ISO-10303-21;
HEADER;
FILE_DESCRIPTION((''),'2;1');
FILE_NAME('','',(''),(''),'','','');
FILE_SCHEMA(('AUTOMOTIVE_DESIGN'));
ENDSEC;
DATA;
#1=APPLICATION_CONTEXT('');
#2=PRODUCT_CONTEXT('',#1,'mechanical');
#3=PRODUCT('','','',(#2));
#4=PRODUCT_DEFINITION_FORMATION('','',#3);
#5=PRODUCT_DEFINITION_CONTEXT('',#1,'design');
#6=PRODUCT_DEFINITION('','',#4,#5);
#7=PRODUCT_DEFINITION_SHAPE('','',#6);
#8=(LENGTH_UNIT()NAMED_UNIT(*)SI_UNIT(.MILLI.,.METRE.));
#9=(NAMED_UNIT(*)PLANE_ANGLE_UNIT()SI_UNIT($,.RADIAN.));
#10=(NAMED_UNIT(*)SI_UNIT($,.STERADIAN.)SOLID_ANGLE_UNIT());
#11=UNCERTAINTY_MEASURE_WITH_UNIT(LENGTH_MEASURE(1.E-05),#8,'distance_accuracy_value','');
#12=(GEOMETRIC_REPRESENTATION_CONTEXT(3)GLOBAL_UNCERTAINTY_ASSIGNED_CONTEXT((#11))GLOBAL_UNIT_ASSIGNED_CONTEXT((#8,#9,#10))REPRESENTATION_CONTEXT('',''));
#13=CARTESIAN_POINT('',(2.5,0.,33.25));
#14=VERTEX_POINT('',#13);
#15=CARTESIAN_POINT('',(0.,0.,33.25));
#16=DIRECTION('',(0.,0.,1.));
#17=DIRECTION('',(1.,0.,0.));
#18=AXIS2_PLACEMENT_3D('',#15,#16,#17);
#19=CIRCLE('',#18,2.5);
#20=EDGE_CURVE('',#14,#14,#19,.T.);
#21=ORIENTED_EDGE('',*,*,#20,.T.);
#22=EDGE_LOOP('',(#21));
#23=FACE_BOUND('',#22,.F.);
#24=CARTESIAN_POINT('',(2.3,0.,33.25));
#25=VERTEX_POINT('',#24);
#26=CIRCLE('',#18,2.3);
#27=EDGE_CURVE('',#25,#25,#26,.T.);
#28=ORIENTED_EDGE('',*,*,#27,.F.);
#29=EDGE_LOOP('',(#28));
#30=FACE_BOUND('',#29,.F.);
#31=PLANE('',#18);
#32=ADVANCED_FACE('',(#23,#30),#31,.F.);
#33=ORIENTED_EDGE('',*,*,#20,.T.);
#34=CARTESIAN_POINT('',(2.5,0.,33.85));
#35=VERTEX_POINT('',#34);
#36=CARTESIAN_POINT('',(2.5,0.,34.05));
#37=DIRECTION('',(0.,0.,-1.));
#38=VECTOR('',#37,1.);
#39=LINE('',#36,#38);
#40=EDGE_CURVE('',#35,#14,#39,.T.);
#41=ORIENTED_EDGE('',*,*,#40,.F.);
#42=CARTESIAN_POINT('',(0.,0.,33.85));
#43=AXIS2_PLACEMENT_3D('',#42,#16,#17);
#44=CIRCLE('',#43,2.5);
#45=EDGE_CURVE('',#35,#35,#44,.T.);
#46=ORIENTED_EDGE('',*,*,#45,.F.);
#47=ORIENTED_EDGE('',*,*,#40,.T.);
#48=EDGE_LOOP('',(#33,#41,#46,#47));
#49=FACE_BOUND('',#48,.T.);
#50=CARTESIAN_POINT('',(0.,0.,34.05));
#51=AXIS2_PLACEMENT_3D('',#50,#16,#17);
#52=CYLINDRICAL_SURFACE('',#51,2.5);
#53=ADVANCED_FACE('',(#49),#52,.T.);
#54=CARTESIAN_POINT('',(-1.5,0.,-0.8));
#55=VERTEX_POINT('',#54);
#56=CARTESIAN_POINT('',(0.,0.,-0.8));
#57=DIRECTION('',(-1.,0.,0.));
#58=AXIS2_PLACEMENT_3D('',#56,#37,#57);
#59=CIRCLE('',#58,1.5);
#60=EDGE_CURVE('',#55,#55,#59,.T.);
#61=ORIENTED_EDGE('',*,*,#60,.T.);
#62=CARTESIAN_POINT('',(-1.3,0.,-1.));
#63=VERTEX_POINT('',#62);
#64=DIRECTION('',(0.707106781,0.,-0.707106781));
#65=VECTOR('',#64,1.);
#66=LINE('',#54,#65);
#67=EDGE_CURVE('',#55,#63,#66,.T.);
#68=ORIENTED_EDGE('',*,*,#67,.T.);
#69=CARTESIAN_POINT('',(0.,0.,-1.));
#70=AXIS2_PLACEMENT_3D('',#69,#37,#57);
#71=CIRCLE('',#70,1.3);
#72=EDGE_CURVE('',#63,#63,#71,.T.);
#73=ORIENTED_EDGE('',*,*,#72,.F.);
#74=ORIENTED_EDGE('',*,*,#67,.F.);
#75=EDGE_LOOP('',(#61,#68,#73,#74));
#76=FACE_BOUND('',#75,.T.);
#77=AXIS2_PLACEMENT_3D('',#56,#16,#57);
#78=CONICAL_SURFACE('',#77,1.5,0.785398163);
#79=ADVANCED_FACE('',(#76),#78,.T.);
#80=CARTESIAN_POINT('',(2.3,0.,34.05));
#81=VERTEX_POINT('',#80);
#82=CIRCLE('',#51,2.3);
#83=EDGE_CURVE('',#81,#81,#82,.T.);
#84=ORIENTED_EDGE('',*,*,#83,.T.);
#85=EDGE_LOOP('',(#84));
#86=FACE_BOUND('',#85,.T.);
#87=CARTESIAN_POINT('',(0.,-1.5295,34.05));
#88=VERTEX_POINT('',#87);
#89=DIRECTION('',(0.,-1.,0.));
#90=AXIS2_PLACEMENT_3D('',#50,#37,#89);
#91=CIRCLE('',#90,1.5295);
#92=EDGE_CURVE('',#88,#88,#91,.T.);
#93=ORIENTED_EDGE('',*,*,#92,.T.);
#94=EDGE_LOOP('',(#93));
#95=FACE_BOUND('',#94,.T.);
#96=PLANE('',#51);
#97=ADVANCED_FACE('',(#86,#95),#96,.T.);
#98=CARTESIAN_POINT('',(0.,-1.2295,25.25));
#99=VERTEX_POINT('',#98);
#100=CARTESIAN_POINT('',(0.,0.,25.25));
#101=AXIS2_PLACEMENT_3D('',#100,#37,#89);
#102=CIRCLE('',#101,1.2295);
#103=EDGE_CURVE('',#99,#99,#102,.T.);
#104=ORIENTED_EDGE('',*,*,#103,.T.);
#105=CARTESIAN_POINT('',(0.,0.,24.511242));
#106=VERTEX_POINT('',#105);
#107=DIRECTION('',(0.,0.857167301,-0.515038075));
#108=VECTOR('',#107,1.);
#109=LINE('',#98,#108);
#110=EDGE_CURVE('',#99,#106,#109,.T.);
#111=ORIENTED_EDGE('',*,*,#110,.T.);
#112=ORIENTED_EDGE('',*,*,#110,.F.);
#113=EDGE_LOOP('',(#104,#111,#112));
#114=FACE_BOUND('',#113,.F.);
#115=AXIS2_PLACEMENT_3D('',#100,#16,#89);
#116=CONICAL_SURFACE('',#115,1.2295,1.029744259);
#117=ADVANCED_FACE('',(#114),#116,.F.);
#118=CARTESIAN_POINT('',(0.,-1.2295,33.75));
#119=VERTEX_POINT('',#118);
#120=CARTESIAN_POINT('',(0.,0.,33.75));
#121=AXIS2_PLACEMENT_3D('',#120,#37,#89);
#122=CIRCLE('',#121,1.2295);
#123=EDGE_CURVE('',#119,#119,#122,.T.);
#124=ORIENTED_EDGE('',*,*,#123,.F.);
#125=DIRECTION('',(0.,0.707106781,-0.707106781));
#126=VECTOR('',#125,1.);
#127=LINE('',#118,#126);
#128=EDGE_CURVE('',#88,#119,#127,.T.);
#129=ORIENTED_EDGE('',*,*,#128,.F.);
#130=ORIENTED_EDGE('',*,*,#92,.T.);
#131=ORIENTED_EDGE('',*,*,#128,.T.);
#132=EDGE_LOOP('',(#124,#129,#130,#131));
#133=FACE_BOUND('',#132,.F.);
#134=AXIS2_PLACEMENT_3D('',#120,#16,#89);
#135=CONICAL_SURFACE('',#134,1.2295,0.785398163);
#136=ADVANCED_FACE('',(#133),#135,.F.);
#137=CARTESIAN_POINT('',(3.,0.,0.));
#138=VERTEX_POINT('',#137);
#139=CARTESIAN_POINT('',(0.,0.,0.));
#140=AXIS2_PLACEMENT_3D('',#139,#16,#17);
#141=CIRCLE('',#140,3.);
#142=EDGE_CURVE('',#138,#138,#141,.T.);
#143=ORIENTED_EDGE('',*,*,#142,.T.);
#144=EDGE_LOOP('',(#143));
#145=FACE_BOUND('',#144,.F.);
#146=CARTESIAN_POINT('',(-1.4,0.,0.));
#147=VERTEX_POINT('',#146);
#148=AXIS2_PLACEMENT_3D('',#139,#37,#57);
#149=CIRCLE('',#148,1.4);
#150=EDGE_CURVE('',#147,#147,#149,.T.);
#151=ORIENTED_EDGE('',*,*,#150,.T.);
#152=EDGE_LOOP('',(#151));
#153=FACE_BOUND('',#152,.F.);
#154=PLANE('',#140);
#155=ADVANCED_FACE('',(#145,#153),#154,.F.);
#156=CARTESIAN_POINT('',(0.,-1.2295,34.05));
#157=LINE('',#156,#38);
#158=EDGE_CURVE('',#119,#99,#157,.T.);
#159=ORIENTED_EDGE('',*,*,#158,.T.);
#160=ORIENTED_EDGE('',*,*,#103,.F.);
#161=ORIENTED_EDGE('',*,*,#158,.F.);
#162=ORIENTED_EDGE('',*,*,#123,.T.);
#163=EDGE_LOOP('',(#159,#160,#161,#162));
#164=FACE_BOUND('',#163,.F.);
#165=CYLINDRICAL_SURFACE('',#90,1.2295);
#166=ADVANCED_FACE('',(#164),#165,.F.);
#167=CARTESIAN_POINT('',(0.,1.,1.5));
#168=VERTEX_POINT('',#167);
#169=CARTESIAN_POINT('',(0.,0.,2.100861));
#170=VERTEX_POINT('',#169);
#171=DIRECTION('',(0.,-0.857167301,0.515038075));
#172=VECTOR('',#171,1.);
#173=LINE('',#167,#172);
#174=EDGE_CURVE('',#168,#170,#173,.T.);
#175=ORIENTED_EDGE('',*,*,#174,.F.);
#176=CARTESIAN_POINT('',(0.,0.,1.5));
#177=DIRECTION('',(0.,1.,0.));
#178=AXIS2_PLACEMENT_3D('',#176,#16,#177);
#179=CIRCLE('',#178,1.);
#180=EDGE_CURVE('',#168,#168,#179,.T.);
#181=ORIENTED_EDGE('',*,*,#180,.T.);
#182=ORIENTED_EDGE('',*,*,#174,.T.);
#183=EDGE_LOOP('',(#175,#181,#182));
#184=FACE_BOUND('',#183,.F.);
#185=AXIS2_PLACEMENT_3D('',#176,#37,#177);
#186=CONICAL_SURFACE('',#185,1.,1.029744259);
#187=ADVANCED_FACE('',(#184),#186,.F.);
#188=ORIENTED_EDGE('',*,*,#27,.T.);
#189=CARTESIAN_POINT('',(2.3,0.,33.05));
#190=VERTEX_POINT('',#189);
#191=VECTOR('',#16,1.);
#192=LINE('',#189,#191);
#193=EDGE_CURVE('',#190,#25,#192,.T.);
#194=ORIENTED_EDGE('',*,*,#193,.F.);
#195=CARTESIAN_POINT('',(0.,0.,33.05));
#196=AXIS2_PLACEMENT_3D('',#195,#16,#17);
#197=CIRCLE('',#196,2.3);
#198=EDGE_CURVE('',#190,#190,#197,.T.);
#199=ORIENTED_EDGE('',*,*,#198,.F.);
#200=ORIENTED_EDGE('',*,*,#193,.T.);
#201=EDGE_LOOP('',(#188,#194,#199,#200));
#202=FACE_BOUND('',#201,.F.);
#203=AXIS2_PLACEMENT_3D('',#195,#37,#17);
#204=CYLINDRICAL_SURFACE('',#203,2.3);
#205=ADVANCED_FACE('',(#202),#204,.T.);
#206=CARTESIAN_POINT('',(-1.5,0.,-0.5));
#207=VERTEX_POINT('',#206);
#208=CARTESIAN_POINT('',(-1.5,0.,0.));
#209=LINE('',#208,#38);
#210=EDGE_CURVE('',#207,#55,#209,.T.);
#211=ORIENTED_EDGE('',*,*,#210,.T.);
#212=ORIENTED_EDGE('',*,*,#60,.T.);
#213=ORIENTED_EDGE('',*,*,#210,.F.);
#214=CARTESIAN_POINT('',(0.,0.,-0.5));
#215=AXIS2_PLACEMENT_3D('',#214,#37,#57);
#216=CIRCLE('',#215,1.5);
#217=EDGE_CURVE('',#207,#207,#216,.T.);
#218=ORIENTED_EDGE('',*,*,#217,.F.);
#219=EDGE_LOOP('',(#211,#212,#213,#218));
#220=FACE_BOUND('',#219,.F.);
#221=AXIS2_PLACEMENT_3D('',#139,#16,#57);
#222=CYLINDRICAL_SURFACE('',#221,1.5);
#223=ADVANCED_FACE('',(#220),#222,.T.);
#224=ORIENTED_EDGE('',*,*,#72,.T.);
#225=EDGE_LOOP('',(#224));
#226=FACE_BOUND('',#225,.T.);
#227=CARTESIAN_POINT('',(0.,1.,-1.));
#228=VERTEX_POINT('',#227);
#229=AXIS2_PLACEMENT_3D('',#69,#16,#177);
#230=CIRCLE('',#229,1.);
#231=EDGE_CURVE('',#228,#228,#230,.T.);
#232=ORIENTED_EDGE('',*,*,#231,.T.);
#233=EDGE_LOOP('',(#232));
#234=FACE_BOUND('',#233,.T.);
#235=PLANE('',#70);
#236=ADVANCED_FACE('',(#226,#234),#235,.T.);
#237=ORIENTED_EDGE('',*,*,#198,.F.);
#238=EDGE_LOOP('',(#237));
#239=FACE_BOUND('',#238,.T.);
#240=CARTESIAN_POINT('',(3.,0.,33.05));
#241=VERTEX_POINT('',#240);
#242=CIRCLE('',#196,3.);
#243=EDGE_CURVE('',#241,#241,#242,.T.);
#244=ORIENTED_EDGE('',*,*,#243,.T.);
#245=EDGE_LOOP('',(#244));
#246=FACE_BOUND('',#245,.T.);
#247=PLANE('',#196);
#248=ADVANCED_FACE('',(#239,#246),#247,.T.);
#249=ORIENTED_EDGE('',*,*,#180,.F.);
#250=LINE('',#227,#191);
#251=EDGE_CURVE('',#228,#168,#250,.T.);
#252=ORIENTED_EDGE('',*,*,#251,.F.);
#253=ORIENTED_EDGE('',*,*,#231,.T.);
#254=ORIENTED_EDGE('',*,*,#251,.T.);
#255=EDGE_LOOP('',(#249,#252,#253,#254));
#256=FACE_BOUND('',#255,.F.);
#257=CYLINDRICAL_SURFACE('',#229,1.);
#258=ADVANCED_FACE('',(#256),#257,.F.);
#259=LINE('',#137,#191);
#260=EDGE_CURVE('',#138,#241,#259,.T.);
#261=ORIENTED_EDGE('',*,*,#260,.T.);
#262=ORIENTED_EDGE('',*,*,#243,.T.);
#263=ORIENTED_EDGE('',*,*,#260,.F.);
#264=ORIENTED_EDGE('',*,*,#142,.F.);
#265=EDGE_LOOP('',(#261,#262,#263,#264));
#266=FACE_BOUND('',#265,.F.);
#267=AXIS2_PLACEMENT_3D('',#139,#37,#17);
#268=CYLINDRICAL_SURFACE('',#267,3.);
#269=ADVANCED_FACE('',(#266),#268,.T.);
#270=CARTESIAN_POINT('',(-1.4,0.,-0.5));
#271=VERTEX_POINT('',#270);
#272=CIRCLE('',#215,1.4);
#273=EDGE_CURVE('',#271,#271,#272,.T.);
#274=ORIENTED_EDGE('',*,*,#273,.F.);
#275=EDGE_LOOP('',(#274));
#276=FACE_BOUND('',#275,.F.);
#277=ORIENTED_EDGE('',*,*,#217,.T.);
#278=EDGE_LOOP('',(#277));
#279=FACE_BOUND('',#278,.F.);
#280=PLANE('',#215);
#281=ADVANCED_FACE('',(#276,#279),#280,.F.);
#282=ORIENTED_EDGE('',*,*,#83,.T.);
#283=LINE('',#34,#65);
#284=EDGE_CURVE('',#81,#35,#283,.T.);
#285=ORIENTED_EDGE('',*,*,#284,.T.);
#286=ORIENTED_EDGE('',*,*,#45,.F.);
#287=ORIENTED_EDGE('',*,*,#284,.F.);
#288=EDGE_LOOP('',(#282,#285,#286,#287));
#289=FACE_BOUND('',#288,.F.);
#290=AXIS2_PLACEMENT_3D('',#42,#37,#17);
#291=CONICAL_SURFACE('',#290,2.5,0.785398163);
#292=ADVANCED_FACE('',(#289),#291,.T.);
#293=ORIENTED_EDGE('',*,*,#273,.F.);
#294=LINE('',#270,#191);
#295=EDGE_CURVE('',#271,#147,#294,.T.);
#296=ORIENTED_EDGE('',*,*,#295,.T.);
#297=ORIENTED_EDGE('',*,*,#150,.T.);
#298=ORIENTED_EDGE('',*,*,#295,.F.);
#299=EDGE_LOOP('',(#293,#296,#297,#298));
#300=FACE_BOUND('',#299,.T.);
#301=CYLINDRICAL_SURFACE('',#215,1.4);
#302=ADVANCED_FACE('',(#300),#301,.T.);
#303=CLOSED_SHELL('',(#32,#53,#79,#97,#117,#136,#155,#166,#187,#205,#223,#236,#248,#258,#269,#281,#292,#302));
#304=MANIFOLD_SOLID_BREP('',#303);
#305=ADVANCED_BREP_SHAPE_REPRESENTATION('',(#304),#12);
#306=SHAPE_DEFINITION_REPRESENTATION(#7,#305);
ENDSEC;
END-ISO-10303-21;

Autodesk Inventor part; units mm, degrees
ref_plane "YZ Plane" through (0, 0, 0) normal (1, 0, 0) x (0, 1, 0)
ref_plane "XZ Plane" through (0, 0, 0) normal (0, 1, 0) x (-1, 0, 0)
ref_plane "XY Plane" through (0, 0, 0) normal (0, 0, 1) x (1, 0, 0)
sketch "Sketch1" plane through (0, 0, 0) normal (0, 0, 1) x (1, 0, 0)
  circle A0 centre (0, 0) radius 3
  dimension "d0" = 6
extrude "Extrusion1" add sketch "Sketch1" along normal blind 34.05
sketch "Sketch2" plane through (0, 0, 34.05) normal (0, 0, 1) x (1, 0, 0)
  circle A0 centre (0, 0) radius 2
  dimension "d3" = 4
hole "Hole1" at (0, 0, 34.05) direction (0, 0, -1) diameter 2.459 depth 8.8 tip angle 118 thread size "M3x0.5" class "6H" standard "ISO Metric profile"
chamfer "Chamfer1" distance 0.3 angle 45 1 edges at (0, 1.2295, 34.05)
sketch "Sketch3" plane through (0, 0, 34.05) normal (0, 0, 1) x (1, 0, 0)
  circle A0 centre (0, 0) radius 3
  circle A1 centre (0, 0) radius 2.5
  dimension "d14" = 5
extrude "Extrusion2" cut sketch "Sketch3" against normal blind 1
sketch "Sketch4" plane through (0, 0, 0) normal (0, 0, -1) x (-1, 0, 0)
  circle A0 centre (0, 0) radius 1.5
  dimension "d17" = 3
extrude "Extrusion3" add sketch "Sketch4" along normal blind 1
sketch "Sketch5" plane through (0, 0, -1) normal (0, 0, -1) x (-1, 0, 0)
  point P0 (0, 0)
  point P1 (0, 0)
hole "Hole2" at (0, 0, -1) direction (0, 0, 1) diameter 2 depth 2.5 tip angle 118
ref_plane "Work Plane2" through (0, 0, -0.5) normal (0, 0, -1) x (-1, 0, 0)
sketch "Sketch7" plane through (0, 0, -0.5) normal (0, 0, -1) x (-1, 0, 0)
  circle A0 centre (0, 0) radius 1.4
  circle A1 centre (0, 0) radius 1.5
  dimension "d29" = 2.8
  dimension "d30" = 3
extrude "Extrusion4" cut sketch "Sketch7" against normal blind 0.5
sketch "Sketch8" plane through (0, 0, 33.05) normal (0, 0, 1) x (1, 0, 0)
  circle A0 centre (0, 0) radius 2.5
  circle A1 centre (0, 0) radius 2.5 projected
  circle A2 centre (0, 0) radius 2.3
  dimension "d31" = 4.6
extrude "Extrusion5" cut sketch "Sketch8" along normal blind 0.2
chamfer "Chamfer2" distance 0.2 angle 45 2 edges at (1.5, 0, -1) (-2.5, 0, 34.05)
properties part number "słupek"
